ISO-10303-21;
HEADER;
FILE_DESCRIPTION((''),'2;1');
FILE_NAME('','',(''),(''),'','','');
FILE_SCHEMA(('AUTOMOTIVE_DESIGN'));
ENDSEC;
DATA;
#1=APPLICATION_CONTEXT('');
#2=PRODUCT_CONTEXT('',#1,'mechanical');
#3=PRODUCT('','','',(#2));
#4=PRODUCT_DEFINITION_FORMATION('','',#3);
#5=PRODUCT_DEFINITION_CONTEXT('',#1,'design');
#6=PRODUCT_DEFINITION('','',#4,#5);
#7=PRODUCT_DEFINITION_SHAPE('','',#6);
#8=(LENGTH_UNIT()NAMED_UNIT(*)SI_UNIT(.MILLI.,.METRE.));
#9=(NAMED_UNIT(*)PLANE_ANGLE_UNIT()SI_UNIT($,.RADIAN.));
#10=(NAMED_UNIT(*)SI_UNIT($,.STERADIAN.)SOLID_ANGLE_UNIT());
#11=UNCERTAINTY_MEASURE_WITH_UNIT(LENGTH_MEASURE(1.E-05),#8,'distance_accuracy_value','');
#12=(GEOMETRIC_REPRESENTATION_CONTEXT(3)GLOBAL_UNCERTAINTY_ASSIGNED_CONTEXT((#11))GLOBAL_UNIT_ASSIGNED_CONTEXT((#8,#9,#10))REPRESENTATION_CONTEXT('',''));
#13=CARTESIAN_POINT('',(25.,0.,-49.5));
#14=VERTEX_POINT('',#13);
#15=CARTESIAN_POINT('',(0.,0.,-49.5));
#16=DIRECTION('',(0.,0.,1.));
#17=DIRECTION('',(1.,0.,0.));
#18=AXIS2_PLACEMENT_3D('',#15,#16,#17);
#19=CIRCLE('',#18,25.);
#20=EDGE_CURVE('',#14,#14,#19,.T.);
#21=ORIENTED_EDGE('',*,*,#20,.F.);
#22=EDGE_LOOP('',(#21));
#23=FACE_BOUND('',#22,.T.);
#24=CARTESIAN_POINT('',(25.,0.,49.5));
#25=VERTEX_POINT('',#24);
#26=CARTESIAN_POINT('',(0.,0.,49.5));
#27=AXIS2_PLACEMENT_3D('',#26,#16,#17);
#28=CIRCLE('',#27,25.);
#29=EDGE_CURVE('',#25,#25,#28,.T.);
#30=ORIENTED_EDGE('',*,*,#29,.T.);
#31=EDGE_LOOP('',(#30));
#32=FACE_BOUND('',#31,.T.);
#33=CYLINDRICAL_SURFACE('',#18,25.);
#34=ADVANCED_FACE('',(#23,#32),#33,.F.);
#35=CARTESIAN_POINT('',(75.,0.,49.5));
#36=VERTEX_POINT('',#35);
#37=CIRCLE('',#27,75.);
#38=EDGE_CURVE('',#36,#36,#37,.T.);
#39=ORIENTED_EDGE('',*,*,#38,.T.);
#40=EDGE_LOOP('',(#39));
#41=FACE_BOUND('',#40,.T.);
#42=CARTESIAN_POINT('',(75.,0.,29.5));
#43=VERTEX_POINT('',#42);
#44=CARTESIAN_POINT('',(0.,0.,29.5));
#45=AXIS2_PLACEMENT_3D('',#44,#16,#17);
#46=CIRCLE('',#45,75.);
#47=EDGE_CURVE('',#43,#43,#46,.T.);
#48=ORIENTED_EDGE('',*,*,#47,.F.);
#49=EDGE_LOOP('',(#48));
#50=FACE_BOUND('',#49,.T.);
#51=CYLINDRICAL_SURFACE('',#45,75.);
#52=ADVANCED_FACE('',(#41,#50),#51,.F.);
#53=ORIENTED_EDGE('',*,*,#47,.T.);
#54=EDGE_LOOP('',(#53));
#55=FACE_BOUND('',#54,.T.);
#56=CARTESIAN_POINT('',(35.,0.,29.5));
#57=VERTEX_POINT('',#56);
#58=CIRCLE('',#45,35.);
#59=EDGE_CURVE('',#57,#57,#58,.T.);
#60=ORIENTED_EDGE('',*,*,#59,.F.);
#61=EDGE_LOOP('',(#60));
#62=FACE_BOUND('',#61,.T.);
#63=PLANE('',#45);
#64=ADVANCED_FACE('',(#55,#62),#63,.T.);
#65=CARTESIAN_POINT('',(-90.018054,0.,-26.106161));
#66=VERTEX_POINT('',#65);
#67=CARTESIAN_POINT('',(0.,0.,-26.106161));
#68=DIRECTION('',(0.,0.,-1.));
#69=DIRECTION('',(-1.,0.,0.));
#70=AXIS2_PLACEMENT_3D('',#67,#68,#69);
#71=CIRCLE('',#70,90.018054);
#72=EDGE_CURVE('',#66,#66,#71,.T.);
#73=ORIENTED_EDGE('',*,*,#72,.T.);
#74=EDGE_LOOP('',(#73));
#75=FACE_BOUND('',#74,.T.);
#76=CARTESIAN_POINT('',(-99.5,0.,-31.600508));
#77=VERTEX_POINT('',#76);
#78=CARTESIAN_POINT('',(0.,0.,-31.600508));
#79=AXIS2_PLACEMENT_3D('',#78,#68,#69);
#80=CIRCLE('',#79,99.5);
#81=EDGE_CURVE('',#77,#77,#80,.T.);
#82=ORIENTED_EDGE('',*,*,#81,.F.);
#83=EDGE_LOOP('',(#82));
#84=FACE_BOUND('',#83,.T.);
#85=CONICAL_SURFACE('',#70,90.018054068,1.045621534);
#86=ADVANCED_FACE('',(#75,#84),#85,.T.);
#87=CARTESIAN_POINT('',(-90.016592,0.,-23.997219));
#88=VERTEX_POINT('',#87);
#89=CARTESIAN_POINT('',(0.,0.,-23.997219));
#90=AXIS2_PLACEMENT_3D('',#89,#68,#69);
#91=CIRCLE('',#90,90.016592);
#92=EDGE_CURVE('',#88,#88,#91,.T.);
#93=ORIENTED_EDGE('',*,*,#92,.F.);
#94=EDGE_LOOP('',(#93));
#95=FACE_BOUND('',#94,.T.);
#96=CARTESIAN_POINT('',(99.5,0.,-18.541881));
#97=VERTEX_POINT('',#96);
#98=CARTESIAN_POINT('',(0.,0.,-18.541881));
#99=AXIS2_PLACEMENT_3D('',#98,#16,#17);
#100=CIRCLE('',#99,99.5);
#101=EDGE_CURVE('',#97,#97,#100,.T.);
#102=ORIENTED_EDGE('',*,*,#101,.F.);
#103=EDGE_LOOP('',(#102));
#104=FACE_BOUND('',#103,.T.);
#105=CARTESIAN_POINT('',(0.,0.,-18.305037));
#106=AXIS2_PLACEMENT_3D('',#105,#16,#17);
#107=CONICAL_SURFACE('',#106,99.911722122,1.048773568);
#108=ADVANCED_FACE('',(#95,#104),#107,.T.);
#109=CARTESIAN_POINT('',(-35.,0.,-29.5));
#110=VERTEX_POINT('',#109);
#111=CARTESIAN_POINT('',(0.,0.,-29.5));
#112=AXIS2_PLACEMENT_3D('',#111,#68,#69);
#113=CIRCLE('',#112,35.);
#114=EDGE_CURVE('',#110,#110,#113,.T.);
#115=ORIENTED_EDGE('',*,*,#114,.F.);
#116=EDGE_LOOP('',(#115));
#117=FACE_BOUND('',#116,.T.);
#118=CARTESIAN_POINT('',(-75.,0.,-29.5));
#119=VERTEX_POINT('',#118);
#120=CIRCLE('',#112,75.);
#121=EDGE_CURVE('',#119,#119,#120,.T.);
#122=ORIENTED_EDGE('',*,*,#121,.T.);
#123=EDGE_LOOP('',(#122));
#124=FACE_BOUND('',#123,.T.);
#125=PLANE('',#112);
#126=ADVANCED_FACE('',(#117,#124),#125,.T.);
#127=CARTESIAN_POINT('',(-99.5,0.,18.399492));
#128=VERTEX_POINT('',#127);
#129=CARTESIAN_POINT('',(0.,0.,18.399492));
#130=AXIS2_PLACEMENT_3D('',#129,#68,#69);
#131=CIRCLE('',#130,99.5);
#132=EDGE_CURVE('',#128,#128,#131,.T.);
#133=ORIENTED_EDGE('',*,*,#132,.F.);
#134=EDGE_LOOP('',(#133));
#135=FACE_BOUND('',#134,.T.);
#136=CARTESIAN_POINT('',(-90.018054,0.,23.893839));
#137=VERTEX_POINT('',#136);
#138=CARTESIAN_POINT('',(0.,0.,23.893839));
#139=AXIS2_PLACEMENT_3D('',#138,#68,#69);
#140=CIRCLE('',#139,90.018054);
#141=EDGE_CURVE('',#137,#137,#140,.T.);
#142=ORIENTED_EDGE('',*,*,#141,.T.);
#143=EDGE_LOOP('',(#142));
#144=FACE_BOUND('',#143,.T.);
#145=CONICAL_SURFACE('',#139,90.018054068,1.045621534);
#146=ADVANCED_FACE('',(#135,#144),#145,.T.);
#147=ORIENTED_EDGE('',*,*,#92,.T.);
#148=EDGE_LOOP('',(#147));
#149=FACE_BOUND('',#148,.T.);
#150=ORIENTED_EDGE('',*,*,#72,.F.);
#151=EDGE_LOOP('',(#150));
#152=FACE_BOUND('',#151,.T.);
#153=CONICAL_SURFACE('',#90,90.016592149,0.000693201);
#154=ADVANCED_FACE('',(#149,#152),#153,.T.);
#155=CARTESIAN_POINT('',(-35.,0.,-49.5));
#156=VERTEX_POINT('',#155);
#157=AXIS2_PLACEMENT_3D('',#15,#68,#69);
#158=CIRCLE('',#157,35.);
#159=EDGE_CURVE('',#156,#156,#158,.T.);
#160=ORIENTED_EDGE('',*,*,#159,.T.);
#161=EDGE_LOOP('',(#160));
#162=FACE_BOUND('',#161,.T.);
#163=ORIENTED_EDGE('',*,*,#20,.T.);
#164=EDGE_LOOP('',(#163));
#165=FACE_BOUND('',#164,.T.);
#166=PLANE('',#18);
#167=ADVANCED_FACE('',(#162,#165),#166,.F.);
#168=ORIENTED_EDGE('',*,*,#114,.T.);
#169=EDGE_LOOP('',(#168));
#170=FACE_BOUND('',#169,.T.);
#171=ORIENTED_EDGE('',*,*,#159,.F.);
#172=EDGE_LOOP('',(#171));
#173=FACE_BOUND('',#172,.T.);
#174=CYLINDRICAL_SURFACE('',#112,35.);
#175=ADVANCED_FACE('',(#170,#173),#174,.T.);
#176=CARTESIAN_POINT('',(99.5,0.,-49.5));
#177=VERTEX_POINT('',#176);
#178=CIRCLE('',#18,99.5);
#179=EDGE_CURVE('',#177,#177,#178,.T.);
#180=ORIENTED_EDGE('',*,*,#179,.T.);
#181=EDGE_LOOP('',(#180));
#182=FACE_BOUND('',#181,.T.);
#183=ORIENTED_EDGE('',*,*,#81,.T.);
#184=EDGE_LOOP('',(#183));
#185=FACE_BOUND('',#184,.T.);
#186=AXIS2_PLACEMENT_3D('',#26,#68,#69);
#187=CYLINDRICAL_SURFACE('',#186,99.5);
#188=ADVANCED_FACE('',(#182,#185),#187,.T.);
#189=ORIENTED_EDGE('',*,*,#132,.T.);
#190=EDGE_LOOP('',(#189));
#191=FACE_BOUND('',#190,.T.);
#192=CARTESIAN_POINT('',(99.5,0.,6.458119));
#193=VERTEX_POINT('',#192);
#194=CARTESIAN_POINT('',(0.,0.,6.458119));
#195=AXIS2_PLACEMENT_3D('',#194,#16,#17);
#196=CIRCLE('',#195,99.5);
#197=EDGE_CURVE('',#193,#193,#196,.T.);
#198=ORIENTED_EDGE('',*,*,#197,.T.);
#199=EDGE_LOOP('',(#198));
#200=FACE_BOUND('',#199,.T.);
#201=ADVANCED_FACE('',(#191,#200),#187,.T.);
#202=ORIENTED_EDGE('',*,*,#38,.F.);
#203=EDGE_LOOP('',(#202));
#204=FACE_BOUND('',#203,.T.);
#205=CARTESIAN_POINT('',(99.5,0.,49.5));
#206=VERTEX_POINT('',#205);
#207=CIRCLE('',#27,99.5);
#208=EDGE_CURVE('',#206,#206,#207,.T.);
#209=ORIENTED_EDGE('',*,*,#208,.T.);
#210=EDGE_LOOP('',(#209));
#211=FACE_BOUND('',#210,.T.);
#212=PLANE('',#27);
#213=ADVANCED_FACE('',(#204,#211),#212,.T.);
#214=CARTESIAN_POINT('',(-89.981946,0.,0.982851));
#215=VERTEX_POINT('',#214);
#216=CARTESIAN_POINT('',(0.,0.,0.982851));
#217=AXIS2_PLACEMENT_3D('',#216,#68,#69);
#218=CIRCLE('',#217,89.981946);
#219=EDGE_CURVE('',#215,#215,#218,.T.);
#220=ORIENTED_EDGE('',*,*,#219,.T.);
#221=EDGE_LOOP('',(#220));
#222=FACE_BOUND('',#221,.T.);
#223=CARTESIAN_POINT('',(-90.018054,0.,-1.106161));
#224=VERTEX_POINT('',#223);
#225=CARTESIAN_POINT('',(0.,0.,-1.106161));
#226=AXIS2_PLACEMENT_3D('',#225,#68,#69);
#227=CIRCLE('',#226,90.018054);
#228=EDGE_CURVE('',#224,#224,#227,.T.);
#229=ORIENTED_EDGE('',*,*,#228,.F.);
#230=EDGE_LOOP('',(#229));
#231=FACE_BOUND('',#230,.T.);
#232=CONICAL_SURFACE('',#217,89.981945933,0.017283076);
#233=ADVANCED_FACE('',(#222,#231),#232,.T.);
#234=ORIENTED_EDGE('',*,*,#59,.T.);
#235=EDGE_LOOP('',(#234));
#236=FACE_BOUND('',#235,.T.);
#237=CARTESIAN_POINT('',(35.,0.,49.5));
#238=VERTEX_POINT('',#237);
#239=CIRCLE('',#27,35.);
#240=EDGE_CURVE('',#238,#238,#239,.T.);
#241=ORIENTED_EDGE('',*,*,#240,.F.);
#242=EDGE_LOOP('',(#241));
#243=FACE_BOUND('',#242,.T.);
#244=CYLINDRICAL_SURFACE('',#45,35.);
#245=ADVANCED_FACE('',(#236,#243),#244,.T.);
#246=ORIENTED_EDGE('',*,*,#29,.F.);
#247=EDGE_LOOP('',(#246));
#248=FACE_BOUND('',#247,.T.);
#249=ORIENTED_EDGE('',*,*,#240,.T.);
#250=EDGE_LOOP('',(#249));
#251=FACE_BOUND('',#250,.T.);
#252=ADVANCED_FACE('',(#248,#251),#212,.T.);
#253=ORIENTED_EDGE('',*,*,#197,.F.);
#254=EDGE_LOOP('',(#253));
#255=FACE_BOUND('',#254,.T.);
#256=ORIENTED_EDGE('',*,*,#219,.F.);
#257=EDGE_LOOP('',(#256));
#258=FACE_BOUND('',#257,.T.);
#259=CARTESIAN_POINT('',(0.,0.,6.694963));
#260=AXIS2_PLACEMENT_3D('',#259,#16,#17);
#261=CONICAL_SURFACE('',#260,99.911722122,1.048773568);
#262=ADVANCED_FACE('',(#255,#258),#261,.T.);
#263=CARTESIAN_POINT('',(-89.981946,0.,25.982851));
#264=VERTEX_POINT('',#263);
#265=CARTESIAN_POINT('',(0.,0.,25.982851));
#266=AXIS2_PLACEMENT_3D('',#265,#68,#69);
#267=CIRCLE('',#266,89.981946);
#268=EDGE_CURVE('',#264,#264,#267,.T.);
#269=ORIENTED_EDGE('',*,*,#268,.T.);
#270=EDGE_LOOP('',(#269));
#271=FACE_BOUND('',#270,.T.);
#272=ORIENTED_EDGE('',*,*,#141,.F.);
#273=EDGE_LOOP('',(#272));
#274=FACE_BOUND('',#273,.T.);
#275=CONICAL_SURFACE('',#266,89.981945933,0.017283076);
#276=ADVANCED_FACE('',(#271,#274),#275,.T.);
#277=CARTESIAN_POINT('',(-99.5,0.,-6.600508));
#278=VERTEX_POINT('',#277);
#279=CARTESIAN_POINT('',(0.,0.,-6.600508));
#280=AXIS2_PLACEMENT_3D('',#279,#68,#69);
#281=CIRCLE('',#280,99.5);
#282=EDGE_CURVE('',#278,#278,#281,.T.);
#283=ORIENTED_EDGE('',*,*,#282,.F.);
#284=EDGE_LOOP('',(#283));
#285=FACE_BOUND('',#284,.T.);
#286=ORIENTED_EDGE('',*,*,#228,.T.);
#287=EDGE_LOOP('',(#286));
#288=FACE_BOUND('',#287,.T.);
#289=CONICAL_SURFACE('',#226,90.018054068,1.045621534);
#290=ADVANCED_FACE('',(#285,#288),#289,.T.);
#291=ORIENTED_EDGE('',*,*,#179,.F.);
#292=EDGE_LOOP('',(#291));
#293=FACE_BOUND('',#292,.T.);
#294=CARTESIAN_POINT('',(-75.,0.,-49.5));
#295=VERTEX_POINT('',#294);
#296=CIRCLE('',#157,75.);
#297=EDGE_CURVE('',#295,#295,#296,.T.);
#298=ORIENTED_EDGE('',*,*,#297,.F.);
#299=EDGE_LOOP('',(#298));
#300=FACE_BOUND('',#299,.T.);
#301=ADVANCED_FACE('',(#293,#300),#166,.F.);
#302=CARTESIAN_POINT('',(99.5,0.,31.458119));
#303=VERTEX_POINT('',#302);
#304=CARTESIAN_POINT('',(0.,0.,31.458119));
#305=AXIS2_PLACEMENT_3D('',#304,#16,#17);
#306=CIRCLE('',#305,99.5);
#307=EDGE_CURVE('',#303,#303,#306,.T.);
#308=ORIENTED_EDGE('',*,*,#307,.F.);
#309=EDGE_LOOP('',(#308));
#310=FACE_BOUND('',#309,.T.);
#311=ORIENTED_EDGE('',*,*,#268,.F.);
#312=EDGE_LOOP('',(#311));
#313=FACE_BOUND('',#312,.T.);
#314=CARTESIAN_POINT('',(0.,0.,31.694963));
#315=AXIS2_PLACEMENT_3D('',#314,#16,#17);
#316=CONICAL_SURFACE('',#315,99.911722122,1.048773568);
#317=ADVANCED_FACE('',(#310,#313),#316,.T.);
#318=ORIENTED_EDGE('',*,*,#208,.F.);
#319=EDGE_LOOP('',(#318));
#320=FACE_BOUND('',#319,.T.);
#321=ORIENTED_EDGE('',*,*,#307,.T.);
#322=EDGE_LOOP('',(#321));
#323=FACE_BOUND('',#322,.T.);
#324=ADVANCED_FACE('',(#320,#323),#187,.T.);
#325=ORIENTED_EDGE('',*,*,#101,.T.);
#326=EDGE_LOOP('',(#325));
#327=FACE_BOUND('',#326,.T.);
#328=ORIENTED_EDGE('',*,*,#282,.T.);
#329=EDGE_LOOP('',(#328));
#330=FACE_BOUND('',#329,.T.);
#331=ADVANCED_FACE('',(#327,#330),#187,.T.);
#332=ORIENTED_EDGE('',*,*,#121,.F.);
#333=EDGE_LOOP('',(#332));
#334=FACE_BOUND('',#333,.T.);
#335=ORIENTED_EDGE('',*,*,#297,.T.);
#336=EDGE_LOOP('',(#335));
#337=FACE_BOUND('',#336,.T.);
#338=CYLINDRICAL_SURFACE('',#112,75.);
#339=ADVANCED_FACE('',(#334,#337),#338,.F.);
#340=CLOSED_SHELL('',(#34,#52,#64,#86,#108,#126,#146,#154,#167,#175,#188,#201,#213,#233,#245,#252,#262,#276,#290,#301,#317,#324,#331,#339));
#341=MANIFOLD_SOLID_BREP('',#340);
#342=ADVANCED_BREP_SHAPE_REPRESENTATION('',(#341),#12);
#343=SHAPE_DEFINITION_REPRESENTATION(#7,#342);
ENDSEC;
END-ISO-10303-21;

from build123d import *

# Parameters (mm, degrees)
SKETCH1_R               = 99.5
BOSS_EXTRUDE1_DEPTH     = 49.5
SKETCH3_R               = 75
SKETCH3_R_2             = 35
CUT_EXTRUDE1_DEPTH      = 20
SKETCH4_R               = 25
CUT_EXTRUDE2_DEPTH      = 1.0000001
CUT_EXTRUDE2_DEPTH_BACK = 100.0000001
SKETCH5_R               = 75
SKETCH5_R_2             = 35
CUT_EXTRUDE3_DEPTH      = 20


with BuildPart() as part:
    # Sketch1 → Boss-Extrude1 (new body, symmetric)
    with BuildSketch(Plane.XY):
        Circle(SKETCH1_R)
    extrude(amount=BOSS_EXTRUDE1_DEPTH, both=True)

    # Sketch2 → Cut-Revolve1 (revolve, cut)
    with BuildSketch(Plane(origin=(0, 0, 0), x_dir=(1, 0, 0), z_dir=(0, 1, 0))):
        Polygon((-89.981945933, -25.982850646), (-99.911722122, -31.694962561), (-99.915568006, -18.158689934), (-90.018054068, -23.893839429), align=None)
        Polygon((-89.981945933, -0.982850646), (-99.911722122, -6.694962562), (-99.92977619, 6.849543049), (-90.018054068, 1.106160571), align=None)
        Polygon((-90.016592149, 23.99721909), (-99.911722122, 18.305037438), (-99.92977619, 31.849543049), (-90.018054068, 26.106160571), align=None)
    revolve(axis=Axis((0, 0, 0), (0, 0, 1)), mode=Mode.SUBTRACT)

    # Sketch3 → Cut-Extrude1 (cut)
    with BuildSketch(Plane(origin=(0, 0, -49.5), x_dir=(-1, 0, 0), z_dir=(0, 0, -1))):
        Circle(SKETCH3_R)
        Circle(SKETCH3_R_2, mode=Mode.SUBTRACT)
    extrude(amount=-CUT_EXTRUDE1_DEPTH, mode=Mode.SUBTRACT)

    # Sketch4 → Cut-Extrude2 (cut, two sides)
    with BuildSketch(Plane.XY.offset(49.5)) as cut_extrude2_sk:
        Circle(SKETCH4_R)
    extrude(amount=CUT_EXTRUDE2_DEPTH, mode=Mode.SUBTRACT)
    extrude(cut_extrude2_sk.sketch, amount=-CUT_EXTRUDE2_DEPTH_BACK, mode=Mode.SUBTRACT)

    # Sketch5 → Cut-Extrude3 (cut)
    with BuildSketch(Plane.XY.offset(49.5)):
        Circle(SKETCH5_R)
        Circle(SKETCH5_R_2, mode=Mode.SUBTRACT)
    extrude(amount=-CUT_EXTRUDE3_DEPTH, mode=Mode.SUBTRACT)


solid = part.part
